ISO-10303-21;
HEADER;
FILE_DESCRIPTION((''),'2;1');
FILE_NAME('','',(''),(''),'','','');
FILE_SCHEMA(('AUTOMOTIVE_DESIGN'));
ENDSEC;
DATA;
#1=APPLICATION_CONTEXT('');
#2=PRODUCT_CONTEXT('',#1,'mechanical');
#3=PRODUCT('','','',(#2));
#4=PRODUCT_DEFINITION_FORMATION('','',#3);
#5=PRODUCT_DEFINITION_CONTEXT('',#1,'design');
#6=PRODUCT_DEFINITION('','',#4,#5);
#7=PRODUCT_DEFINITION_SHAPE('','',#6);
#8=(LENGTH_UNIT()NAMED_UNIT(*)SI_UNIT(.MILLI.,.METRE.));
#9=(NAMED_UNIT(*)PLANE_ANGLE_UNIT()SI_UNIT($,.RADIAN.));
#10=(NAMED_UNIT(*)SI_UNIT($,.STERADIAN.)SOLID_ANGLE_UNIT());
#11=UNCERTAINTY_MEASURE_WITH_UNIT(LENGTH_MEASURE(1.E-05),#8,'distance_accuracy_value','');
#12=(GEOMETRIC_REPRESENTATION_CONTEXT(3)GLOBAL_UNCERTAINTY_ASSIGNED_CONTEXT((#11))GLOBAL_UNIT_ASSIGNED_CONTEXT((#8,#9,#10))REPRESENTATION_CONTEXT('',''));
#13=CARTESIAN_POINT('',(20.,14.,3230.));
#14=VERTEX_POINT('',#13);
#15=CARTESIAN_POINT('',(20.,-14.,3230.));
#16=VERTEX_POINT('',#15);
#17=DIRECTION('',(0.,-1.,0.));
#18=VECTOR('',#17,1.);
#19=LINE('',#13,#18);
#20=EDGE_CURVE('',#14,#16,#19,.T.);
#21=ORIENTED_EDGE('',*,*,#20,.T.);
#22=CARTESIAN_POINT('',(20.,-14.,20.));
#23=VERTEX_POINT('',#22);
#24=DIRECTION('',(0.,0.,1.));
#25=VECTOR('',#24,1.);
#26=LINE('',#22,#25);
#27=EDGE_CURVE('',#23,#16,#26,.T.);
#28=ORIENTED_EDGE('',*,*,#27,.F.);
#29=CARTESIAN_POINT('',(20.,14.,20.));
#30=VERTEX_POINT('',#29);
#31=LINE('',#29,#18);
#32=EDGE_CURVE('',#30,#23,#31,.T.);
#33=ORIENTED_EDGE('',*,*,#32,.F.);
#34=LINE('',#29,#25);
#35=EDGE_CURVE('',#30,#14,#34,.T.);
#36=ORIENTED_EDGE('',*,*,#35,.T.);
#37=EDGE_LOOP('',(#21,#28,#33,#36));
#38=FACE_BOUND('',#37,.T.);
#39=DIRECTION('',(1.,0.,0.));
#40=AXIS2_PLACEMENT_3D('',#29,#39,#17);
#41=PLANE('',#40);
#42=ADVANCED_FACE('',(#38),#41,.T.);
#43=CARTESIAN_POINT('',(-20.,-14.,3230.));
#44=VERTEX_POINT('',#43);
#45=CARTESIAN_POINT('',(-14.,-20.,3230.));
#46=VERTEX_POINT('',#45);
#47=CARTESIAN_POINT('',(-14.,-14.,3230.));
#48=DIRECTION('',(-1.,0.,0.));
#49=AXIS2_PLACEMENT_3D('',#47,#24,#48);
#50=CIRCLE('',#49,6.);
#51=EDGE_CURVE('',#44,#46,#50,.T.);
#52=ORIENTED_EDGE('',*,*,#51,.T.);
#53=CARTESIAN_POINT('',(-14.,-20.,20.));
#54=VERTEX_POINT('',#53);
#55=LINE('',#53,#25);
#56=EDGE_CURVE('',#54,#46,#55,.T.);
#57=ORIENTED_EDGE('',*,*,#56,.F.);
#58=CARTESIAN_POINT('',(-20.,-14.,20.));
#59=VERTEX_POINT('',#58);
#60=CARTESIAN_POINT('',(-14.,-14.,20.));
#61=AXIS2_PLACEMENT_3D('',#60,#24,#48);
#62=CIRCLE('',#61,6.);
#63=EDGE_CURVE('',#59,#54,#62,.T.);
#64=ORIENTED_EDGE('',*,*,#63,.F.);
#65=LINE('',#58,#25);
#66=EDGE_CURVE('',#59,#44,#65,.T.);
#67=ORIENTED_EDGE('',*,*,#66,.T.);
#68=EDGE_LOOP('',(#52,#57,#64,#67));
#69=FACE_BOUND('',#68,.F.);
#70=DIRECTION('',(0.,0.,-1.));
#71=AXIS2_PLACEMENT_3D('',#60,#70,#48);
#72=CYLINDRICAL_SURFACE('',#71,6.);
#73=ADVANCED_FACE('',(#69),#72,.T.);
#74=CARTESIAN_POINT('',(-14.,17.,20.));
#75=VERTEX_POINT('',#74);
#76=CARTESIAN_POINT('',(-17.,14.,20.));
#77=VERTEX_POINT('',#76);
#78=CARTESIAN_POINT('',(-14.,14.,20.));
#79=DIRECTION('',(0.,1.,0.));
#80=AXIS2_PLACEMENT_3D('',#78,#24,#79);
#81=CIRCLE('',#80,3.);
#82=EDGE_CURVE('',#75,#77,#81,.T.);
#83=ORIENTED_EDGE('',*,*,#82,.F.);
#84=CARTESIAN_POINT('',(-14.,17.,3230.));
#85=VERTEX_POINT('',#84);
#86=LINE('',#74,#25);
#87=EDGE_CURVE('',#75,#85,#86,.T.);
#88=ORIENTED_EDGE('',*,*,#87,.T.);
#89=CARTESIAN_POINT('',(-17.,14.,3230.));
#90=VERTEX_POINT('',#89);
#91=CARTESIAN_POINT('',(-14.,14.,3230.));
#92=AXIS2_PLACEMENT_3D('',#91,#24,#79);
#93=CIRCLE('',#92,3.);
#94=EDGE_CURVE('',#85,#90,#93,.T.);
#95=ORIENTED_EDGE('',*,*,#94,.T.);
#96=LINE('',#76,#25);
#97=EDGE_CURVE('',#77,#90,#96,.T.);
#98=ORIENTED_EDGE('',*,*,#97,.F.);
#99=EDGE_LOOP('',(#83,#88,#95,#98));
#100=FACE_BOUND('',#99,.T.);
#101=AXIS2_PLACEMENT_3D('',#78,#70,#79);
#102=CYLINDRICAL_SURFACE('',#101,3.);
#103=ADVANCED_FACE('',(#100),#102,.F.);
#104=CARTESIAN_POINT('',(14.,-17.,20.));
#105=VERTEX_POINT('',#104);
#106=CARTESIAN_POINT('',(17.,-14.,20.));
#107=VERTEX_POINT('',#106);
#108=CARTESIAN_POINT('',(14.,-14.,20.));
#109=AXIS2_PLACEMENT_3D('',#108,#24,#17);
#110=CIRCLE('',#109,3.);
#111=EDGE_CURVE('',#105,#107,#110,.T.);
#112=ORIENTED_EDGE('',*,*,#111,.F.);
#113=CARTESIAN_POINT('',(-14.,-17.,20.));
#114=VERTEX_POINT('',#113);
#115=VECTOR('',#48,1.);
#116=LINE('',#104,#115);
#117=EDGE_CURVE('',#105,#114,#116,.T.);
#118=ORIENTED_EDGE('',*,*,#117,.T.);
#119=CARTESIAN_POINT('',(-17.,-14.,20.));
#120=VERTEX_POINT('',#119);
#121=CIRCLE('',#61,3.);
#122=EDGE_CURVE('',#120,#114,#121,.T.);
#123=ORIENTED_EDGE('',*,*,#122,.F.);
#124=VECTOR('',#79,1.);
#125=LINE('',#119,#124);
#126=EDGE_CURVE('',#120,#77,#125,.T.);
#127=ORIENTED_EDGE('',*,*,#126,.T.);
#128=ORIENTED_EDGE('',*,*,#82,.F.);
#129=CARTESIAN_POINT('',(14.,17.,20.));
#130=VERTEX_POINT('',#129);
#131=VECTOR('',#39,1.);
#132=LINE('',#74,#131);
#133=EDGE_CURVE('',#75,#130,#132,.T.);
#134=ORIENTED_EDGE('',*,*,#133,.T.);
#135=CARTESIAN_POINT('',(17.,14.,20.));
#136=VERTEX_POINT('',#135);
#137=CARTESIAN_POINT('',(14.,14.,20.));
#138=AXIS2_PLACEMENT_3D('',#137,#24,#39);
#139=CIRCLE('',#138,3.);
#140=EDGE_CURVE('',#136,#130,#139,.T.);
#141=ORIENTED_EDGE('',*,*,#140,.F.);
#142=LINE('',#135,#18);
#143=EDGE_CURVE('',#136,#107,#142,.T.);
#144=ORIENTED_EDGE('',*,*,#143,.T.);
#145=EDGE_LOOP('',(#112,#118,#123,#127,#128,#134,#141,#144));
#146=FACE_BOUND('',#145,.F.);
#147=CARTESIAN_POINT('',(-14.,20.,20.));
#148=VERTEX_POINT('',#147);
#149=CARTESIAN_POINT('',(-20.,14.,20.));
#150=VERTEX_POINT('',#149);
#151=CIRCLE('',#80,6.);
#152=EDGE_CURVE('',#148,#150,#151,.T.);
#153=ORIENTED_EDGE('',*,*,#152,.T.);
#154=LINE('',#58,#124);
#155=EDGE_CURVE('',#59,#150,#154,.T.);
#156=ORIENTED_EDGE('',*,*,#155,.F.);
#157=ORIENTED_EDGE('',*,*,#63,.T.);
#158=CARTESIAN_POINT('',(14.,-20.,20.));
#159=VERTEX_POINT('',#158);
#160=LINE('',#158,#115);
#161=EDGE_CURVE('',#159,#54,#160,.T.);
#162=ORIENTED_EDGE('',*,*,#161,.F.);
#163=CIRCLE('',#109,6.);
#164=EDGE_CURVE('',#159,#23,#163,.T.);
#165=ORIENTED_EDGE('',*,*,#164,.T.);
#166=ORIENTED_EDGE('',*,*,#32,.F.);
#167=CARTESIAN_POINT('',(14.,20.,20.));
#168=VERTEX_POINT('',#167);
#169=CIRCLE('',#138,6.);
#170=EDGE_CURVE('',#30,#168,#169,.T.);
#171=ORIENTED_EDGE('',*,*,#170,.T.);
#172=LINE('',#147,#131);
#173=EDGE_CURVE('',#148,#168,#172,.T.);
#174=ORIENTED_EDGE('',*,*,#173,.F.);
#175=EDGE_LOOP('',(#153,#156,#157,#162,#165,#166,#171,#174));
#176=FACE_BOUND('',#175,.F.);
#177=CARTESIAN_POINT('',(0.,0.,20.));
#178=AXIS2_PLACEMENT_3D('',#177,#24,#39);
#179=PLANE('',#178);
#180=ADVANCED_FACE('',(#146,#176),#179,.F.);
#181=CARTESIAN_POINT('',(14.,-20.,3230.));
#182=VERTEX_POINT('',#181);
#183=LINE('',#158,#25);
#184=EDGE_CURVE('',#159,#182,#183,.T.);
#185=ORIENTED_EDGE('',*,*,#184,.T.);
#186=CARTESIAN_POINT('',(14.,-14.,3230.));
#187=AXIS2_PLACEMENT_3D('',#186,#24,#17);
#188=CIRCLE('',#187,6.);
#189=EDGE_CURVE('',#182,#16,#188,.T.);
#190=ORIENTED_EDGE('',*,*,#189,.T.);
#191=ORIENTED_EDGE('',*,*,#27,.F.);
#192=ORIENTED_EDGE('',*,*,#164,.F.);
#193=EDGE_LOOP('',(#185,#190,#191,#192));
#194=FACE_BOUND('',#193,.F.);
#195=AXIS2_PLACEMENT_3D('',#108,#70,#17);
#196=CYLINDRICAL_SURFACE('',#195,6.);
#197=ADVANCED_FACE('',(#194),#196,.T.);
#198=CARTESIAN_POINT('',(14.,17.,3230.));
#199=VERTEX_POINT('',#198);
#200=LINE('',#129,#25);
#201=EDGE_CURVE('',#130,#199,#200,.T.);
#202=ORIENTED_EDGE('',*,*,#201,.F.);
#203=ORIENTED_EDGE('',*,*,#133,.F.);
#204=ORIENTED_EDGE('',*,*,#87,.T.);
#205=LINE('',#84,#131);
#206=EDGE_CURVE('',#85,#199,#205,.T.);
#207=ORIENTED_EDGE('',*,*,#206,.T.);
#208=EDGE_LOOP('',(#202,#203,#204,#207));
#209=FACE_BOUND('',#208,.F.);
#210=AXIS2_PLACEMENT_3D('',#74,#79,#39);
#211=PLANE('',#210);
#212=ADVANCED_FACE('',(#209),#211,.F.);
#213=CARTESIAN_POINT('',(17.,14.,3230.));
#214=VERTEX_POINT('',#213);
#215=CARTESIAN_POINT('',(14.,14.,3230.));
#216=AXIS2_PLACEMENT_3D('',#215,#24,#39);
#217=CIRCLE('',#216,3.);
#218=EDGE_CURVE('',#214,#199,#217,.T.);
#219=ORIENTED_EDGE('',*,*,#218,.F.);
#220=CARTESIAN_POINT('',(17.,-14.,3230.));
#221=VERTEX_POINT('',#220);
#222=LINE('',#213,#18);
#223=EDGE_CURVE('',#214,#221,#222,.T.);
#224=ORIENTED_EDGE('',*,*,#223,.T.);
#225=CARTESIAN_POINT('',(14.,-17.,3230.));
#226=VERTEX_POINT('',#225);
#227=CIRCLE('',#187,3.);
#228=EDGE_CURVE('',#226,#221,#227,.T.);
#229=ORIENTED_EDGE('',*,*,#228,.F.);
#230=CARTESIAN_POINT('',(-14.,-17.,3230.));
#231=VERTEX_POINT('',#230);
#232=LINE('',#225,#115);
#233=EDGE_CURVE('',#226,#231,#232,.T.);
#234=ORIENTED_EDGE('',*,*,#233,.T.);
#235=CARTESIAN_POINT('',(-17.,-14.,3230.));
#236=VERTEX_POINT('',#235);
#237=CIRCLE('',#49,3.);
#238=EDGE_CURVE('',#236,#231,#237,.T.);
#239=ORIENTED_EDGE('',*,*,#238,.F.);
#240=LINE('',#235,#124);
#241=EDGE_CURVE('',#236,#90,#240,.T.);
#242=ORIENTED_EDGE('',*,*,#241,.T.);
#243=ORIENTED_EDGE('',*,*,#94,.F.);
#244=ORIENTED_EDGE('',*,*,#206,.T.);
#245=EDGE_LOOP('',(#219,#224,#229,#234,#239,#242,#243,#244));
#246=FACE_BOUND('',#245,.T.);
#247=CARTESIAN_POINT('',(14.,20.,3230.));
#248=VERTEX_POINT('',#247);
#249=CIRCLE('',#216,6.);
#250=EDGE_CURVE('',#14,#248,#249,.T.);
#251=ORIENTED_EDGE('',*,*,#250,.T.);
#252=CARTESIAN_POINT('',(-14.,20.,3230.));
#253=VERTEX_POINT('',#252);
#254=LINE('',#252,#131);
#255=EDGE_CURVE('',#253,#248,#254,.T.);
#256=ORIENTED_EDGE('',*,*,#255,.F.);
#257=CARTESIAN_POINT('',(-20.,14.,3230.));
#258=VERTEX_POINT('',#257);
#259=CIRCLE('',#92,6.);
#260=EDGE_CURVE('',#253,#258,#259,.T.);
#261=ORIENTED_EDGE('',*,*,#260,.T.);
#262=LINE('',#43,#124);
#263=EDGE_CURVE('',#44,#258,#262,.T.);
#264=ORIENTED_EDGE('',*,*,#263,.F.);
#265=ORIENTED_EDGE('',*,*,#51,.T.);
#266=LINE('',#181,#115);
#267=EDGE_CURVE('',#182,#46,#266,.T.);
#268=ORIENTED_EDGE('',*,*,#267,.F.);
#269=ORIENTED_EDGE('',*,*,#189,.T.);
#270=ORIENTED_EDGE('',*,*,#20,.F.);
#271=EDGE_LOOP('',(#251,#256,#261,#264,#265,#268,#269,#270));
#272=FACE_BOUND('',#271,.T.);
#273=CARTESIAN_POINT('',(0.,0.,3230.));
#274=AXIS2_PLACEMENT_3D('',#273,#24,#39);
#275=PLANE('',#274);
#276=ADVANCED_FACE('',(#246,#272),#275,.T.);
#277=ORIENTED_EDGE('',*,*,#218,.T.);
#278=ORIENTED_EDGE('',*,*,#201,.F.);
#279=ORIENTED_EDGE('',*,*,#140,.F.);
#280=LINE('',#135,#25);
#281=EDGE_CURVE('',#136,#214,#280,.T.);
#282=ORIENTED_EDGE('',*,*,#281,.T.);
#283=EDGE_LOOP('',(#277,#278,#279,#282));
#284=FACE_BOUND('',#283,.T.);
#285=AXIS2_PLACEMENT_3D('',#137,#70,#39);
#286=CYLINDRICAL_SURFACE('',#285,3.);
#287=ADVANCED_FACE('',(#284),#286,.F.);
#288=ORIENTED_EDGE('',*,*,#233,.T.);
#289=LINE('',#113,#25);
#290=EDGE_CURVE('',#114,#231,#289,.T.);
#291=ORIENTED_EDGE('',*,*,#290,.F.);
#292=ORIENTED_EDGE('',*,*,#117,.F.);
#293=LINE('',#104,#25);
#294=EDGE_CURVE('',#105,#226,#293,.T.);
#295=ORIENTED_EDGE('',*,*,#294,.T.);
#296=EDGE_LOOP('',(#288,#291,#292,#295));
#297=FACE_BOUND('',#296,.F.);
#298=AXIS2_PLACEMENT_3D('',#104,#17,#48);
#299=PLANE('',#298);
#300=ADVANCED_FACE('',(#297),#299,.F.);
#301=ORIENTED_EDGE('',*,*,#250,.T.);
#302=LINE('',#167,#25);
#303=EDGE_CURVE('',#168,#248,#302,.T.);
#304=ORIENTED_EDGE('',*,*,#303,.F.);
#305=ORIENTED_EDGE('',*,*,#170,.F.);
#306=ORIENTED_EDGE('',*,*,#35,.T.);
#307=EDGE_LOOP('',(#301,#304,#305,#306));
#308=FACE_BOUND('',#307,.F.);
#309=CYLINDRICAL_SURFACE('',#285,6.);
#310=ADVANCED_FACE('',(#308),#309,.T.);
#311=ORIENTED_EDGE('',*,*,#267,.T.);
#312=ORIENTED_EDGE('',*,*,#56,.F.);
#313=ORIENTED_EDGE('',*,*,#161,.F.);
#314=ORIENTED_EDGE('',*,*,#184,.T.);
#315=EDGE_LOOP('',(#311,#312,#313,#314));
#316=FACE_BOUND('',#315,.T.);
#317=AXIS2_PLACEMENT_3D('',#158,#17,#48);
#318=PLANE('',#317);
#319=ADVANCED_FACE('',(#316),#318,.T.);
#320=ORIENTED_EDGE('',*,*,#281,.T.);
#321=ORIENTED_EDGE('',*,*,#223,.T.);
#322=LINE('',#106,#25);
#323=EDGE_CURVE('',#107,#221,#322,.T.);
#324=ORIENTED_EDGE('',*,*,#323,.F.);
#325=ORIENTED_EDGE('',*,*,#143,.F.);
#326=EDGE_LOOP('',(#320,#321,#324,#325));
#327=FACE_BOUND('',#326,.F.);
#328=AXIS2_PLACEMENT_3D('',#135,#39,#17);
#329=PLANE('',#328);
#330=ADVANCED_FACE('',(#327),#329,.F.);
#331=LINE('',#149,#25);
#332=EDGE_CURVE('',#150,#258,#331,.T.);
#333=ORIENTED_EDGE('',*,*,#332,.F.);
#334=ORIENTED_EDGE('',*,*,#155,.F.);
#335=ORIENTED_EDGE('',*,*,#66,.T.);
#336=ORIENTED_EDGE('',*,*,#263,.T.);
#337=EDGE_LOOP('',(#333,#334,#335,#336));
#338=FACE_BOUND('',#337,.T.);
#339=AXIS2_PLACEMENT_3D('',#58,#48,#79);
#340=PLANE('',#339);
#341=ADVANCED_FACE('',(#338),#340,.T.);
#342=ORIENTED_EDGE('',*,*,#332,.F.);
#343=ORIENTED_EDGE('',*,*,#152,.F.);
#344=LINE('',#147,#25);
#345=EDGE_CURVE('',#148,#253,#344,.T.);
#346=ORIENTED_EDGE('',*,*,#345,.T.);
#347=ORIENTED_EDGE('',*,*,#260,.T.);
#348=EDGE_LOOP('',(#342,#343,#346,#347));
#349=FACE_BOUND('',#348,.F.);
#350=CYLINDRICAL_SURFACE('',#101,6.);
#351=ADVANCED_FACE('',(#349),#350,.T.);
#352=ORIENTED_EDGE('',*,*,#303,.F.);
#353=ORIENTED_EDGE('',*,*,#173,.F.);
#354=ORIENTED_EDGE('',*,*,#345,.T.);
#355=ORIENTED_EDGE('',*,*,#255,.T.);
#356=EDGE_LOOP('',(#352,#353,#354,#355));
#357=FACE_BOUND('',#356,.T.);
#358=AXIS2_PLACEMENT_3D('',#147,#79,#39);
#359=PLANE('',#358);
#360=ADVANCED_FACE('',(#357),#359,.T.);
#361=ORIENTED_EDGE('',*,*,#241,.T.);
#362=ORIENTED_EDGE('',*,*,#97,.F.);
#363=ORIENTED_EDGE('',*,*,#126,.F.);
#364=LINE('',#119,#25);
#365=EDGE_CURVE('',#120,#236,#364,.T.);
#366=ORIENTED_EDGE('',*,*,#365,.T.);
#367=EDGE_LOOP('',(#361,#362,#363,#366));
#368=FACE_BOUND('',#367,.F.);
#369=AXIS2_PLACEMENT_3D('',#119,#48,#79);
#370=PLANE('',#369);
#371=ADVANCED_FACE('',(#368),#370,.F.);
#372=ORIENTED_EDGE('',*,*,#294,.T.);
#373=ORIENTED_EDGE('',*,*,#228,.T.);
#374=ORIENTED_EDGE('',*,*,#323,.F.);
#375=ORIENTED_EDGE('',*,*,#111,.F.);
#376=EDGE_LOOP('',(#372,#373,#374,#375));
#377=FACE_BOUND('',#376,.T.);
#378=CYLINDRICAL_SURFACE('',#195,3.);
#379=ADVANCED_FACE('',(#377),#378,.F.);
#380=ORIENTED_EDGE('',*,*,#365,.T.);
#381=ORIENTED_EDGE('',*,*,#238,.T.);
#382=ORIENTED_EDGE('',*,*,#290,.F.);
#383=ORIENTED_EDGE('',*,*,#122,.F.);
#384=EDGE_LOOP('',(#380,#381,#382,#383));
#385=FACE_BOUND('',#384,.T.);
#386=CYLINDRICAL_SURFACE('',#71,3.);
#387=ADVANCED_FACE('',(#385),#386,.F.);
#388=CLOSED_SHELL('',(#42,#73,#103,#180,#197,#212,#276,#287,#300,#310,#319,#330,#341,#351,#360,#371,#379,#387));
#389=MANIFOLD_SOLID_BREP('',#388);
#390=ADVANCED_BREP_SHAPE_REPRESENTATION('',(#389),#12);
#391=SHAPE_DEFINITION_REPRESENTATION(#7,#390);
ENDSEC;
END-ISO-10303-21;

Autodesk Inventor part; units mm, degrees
ref_plane "Start Plane" through (0, 0, 20) normal (0, 0, 1) x (1, 0, 0)
ref_plane "End Plane" through (0, 0, 3230) normal (0, 0, 1) x (1, 0, 0)
sketch "Sketch" plane through (0, 0, 0) normal (0, 0, 1) x (1, 0, 0)
  line L0 (-20, -14) -> (-20, 14)
  line L1 (-14, 20) -> (14, 20)
  line L2 (20, 14) -> (20, -14)
  line L3 (14, -20) -> (-14, -20)
  arc A0 (-20, -14) -> (-14, -20) centre (-14, -14) ccw
  arc A1 (20, 14) -> (14, 20) centre (14, 14) ccw
  arc A2 (-14, 20) -> (-20, 14) centre (-14, 14) ccw
  arc A3 (14, -20) -> (20, -14) centre (14, -14) ccw
  arc A4 (-14, 17) -> (-17, 14) centre (-14, 14) ccw
  line L4 (-14, 17) -> (14, 17)
  arc A5 (17, 14) -> (14, 17) centre (14, 14) ccw
  line L5 (17, 14) -> (17, -14)
  arc A6 (14, -17) -> (17, -14) centre (14, -14) ccw
  line L6 (14, -17) -> (-14, -17)
  arc A7 (-17, -14) -> (-14, -17) centre (-14, -14) ccw
  line L7 (-17, -14) -> (-17, 14)
  line L8 (0, 29.7397) -> (0, -29.7397) construction
  line L9 (-29.7397, 0) -> (29.7397, 0) construction
  dimension "d7" = 6
  dimension "d9" = 40
  dimension "d11" = 40
  dimension "d12" = 3
  dimension "d15" = 20
  dimension "d16" = 20
extrude "Body" add sketch "Sketch" along normal up to surface (3210 mm away) from surface at 20
sketch "Sketch3" plane through (0, 0, 0) normal (0, 0, 1) x (1, 0, 0)
  line L0 (0, 0) -> (10, 0)
ref_plane "Work Plane3" through (0, 0, 0) normal (0, -1, 0) x (1, 0, 0)
ref_plane "Work Plane4" through (1492, 12, 20) normal (0, 0, -1) x (-1, 0, 0)
split "Split1" plane through (1492, 12, 20) removes the side toward (0, 0, -1)
ref_plane "Work Plane5" through (-508, 12, 3230) normal (0, 0, 1) x (1, 0, 0)
split "Split2" plane through (-508, 12, 3230) removes the side toward (0, 0, 1)
sketch "Sketch4" plane through (0, 0, 0) normal (0, -1, 0) x (1, 0, 0)
  line L0 (-2, 20) -> (12, 20) projected
  line L1 (-2, 3230) -> (12, 3230) projected
  dimension "d18" = 3210
equation "\"d7\" = G_IR"
equation "\"d9\" = G_W"
equation "\"d11\" = G_H"
equation "\"d12\" = G_T"
equation "\"d15\" = 0.5 * d9"
equation "\"d16\" = 0.5 * d11"
equation "\"d3\" = G_L"
equation "\"G_W\" = 40"
equation "\"G_H\" = 40"
equation "\"G_T\" = 3"
equation "\"G_IR\" = 6"
equation "\"G_L\" = d18"
properties part number "ISO 10799-2 - 40x40x3 - 3210" material "Steel, Mild"
